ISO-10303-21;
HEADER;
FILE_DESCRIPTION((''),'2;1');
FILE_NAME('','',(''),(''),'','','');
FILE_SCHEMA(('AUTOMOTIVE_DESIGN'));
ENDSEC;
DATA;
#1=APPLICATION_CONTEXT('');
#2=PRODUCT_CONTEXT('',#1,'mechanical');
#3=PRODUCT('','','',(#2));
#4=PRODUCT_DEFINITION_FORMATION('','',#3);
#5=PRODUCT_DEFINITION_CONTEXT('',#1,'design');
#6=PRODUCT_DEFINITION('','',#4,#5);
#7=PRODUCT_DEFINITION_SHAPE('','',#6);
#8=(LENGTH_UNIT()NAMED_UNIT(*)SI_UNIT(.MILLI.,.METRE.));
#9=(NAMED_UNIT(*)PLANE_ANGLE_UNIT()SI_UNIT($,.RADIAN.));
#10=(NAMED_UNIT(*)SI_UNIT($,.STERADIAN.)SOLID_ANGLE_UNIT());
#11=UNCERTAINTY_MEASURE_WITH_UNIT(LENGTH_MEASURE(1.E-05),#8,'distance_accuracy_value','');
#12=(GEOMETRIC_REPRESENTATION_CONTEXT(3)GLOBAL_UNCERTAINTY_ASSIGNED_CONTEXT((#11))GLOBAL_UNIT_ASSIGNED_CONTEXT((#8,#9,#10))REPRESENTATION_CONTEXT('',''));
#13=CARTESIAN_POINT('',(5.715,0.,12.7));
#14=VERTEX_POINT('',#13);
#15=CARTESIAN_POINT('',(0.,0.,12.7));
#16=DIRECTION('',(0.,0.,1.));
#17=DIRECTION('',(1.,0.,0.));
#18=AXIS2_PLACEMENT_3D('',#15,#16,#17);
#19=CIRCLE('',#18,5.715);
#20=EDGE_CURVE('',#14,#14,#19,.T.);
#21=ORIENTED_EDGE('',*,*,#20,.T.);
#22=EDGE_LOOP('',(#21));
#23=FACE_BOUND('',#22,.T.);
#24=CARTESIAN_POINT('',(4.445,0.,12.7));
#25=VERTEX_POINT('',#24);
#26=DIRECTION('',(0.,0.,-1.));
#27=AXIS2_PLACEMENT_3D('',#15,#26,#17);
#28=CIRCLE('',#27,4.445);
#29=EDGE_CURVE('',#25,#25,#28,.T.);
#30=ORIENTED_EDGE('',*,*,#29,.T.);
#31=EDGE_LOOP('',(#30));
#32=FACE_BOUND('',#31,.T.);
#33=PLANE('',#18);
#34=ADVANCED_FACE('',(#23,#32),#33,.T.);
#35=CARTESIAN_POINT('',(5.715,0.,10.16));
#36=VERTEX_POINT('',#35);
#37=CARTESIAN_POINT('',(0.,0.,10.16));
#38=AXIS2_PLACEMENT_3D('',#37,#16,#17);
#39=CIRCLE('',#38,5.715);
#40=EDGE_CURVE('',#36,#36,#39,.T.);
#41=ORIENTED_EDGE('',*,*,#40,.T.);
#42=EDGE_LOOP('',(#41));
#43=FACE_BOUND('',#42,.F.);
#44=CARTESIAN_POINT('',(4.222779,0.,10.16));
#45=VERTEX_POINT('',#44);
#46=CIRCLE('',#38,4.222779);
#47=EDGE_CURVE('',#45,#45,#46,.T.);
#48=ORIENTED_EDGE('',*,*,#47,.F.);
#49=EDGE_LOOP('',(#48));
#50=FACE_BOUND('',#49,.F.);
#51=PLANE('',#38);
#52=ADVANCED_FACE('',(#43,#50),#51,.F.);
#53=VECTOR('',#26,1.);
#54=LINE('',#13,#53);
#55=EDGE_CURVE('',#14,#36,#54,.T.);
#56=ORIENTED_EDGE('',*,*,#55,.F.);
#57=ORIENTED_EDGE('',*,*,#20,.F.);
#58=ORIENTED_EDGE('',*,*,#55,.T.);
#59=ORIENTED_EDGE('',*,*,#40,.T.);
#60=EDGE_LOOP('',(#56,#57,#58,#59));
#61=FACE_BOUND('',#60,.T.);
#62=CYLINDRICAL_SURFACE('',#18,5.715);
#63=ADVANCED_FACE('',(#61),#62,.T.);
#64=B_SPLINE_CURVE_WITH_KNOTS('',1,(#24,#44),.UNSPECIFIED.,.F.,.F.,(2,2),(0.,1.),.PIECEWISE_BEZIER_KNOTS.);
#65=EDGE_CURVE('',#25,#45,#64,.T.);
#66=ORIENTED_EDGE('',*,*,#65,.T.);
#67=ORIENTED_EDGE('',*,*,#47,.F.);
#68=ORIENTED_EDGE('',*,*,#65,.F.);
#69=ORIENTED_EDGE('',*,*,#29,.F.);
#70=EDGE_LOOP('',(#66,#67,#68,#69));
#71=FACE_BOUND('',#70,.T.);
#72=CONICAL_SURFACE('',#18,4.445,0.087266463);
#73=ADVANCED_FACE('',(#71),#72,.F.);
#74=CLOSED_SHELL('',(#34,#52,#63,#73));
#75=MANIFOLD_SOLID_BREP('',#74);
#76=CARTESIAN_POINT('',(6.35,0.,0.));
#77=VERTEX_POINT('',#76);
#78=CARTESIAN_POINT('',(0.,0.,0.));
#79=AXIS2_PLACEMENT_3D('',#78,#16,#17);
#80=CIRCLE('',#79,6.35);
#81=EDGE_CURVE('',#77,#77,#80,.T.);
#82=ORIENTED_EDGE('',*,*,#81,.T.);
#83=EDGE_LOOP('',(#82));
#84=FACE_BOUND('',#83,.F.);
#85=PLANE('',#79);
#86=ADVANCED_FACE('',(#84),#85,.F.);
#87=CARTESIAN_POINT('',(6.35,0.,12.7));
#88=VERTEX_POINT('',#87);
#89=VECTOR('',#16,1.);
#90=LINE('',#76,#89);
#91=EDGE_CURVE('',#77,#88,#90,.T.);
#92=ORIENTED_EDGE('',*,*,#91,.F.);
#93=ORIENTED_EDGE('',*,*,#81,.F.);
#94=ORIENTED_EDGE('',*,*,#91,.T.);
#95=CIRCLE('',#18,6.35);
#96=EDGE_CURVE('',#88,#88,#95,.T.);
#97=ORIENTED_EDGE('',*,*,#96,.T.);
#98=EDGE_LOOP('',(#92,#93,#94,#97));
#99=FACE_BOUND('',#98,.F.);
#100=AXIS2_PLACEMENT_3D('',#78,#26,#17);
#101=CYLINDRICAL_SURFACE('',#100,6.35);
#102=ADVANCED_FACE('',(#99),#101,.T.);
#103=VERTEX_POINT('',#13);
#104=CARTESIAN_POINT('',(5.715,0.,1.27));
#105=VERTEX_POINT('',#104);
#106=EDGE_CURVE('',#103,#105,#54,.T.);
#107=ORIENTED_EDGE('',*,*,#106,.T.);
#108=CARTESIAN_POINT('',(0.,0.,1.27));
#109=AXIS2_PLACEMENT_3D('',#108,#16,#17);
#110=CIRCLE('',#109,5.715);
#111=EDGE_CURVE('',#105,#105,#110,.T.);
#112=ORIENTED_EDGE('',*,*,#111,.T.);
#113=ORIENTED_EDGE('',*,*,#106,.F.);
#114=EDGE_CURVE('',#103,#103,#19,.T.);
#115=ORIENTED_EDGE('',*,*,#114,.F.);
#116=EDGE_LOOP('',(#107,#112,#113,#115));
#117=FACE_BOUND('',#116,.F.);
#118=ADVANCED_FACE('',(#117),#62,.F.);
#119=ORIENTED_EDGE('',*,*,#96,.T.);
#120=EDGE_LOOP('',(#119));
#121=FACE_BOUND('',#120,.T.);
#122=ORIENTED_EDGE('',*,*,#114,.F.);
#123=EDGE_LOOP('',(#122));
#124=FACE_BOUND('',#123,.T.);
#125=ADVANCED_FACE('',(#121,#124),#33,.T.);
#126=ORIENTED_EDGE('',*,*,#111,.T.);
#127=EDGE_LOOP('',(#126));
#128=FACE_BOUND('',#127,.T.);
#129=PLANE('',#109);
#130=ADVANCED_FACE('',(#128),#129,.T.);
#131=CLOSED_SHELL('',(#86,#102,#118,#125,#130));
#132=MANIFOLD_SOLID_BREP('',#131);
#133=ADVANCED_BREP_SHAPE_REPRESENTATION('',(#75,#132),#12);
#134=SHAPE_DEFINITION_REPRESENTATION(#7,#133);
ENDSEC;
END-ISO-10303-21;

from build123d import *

# Parameters (mm, degrees)
F0_R     = 6.35
F1_DEPTH = 12.7
F2_R     = 5.715
F2_R_2   = 4.445
F3_DEPTH = 11.43
F4_DEPTH = 2.54
F5_DEPTH = 11.43
F6_DEPTH = 2.54
F7_DEPTH = 2.54
F7_TAPER = 5


with BuildPart() as f1:
    # F0 (on Top) → F1 (new body)
    with BuildSketch(Plane.XY):
        Circle(F0_R)
    extrude(amount=F1_DEPTH)

    # F2 (on face) → F3 (cut)
    with BuildSketch(Plane.XY.offset(12.7)):
        Circle(F2_R)
        Circle(F2_R_2, mode=Mode.SUBTRACT)
    extrude(amount=-F3_DEPTH, mode=Mode.SUBTRACT)

    # F2 (on face) → F5 (cut)
    with BuildSketch(Plane.XY.offset(12.7)):
        Circle(F2_R_2)
    extrude(amount=-F5_DEPTH, mode=Mode.SUBTRACT)


with BuildPart() as f4:
    # F2 (on face) → F4 (new body)
    with BuildSketch(Plane.XY.offset(12.7)):
        Circle(F2_R)
        Circle(F2_R_2, mode=Mode.SUBTRACT)
    extrude(amount=-F4_DEPTH)

    # F2 (on face) → F6 (join)
    with BuildSketch(Plane.XY.offset(12.7)):
        Circle(F2_R_2)
    extrude(amount=-F6_DEPTH)

    # F2 (on face) → F7 (cut)
    with BuildSketch(Plane.XY.offset(12.7)):
        Circle(F2_R_2)
    extrude(amount=-F7_DEPTH, taper=F7_TAPER, mode=Mode.SUBTRACT)


solid = Compound([f1.part, f4.part])
